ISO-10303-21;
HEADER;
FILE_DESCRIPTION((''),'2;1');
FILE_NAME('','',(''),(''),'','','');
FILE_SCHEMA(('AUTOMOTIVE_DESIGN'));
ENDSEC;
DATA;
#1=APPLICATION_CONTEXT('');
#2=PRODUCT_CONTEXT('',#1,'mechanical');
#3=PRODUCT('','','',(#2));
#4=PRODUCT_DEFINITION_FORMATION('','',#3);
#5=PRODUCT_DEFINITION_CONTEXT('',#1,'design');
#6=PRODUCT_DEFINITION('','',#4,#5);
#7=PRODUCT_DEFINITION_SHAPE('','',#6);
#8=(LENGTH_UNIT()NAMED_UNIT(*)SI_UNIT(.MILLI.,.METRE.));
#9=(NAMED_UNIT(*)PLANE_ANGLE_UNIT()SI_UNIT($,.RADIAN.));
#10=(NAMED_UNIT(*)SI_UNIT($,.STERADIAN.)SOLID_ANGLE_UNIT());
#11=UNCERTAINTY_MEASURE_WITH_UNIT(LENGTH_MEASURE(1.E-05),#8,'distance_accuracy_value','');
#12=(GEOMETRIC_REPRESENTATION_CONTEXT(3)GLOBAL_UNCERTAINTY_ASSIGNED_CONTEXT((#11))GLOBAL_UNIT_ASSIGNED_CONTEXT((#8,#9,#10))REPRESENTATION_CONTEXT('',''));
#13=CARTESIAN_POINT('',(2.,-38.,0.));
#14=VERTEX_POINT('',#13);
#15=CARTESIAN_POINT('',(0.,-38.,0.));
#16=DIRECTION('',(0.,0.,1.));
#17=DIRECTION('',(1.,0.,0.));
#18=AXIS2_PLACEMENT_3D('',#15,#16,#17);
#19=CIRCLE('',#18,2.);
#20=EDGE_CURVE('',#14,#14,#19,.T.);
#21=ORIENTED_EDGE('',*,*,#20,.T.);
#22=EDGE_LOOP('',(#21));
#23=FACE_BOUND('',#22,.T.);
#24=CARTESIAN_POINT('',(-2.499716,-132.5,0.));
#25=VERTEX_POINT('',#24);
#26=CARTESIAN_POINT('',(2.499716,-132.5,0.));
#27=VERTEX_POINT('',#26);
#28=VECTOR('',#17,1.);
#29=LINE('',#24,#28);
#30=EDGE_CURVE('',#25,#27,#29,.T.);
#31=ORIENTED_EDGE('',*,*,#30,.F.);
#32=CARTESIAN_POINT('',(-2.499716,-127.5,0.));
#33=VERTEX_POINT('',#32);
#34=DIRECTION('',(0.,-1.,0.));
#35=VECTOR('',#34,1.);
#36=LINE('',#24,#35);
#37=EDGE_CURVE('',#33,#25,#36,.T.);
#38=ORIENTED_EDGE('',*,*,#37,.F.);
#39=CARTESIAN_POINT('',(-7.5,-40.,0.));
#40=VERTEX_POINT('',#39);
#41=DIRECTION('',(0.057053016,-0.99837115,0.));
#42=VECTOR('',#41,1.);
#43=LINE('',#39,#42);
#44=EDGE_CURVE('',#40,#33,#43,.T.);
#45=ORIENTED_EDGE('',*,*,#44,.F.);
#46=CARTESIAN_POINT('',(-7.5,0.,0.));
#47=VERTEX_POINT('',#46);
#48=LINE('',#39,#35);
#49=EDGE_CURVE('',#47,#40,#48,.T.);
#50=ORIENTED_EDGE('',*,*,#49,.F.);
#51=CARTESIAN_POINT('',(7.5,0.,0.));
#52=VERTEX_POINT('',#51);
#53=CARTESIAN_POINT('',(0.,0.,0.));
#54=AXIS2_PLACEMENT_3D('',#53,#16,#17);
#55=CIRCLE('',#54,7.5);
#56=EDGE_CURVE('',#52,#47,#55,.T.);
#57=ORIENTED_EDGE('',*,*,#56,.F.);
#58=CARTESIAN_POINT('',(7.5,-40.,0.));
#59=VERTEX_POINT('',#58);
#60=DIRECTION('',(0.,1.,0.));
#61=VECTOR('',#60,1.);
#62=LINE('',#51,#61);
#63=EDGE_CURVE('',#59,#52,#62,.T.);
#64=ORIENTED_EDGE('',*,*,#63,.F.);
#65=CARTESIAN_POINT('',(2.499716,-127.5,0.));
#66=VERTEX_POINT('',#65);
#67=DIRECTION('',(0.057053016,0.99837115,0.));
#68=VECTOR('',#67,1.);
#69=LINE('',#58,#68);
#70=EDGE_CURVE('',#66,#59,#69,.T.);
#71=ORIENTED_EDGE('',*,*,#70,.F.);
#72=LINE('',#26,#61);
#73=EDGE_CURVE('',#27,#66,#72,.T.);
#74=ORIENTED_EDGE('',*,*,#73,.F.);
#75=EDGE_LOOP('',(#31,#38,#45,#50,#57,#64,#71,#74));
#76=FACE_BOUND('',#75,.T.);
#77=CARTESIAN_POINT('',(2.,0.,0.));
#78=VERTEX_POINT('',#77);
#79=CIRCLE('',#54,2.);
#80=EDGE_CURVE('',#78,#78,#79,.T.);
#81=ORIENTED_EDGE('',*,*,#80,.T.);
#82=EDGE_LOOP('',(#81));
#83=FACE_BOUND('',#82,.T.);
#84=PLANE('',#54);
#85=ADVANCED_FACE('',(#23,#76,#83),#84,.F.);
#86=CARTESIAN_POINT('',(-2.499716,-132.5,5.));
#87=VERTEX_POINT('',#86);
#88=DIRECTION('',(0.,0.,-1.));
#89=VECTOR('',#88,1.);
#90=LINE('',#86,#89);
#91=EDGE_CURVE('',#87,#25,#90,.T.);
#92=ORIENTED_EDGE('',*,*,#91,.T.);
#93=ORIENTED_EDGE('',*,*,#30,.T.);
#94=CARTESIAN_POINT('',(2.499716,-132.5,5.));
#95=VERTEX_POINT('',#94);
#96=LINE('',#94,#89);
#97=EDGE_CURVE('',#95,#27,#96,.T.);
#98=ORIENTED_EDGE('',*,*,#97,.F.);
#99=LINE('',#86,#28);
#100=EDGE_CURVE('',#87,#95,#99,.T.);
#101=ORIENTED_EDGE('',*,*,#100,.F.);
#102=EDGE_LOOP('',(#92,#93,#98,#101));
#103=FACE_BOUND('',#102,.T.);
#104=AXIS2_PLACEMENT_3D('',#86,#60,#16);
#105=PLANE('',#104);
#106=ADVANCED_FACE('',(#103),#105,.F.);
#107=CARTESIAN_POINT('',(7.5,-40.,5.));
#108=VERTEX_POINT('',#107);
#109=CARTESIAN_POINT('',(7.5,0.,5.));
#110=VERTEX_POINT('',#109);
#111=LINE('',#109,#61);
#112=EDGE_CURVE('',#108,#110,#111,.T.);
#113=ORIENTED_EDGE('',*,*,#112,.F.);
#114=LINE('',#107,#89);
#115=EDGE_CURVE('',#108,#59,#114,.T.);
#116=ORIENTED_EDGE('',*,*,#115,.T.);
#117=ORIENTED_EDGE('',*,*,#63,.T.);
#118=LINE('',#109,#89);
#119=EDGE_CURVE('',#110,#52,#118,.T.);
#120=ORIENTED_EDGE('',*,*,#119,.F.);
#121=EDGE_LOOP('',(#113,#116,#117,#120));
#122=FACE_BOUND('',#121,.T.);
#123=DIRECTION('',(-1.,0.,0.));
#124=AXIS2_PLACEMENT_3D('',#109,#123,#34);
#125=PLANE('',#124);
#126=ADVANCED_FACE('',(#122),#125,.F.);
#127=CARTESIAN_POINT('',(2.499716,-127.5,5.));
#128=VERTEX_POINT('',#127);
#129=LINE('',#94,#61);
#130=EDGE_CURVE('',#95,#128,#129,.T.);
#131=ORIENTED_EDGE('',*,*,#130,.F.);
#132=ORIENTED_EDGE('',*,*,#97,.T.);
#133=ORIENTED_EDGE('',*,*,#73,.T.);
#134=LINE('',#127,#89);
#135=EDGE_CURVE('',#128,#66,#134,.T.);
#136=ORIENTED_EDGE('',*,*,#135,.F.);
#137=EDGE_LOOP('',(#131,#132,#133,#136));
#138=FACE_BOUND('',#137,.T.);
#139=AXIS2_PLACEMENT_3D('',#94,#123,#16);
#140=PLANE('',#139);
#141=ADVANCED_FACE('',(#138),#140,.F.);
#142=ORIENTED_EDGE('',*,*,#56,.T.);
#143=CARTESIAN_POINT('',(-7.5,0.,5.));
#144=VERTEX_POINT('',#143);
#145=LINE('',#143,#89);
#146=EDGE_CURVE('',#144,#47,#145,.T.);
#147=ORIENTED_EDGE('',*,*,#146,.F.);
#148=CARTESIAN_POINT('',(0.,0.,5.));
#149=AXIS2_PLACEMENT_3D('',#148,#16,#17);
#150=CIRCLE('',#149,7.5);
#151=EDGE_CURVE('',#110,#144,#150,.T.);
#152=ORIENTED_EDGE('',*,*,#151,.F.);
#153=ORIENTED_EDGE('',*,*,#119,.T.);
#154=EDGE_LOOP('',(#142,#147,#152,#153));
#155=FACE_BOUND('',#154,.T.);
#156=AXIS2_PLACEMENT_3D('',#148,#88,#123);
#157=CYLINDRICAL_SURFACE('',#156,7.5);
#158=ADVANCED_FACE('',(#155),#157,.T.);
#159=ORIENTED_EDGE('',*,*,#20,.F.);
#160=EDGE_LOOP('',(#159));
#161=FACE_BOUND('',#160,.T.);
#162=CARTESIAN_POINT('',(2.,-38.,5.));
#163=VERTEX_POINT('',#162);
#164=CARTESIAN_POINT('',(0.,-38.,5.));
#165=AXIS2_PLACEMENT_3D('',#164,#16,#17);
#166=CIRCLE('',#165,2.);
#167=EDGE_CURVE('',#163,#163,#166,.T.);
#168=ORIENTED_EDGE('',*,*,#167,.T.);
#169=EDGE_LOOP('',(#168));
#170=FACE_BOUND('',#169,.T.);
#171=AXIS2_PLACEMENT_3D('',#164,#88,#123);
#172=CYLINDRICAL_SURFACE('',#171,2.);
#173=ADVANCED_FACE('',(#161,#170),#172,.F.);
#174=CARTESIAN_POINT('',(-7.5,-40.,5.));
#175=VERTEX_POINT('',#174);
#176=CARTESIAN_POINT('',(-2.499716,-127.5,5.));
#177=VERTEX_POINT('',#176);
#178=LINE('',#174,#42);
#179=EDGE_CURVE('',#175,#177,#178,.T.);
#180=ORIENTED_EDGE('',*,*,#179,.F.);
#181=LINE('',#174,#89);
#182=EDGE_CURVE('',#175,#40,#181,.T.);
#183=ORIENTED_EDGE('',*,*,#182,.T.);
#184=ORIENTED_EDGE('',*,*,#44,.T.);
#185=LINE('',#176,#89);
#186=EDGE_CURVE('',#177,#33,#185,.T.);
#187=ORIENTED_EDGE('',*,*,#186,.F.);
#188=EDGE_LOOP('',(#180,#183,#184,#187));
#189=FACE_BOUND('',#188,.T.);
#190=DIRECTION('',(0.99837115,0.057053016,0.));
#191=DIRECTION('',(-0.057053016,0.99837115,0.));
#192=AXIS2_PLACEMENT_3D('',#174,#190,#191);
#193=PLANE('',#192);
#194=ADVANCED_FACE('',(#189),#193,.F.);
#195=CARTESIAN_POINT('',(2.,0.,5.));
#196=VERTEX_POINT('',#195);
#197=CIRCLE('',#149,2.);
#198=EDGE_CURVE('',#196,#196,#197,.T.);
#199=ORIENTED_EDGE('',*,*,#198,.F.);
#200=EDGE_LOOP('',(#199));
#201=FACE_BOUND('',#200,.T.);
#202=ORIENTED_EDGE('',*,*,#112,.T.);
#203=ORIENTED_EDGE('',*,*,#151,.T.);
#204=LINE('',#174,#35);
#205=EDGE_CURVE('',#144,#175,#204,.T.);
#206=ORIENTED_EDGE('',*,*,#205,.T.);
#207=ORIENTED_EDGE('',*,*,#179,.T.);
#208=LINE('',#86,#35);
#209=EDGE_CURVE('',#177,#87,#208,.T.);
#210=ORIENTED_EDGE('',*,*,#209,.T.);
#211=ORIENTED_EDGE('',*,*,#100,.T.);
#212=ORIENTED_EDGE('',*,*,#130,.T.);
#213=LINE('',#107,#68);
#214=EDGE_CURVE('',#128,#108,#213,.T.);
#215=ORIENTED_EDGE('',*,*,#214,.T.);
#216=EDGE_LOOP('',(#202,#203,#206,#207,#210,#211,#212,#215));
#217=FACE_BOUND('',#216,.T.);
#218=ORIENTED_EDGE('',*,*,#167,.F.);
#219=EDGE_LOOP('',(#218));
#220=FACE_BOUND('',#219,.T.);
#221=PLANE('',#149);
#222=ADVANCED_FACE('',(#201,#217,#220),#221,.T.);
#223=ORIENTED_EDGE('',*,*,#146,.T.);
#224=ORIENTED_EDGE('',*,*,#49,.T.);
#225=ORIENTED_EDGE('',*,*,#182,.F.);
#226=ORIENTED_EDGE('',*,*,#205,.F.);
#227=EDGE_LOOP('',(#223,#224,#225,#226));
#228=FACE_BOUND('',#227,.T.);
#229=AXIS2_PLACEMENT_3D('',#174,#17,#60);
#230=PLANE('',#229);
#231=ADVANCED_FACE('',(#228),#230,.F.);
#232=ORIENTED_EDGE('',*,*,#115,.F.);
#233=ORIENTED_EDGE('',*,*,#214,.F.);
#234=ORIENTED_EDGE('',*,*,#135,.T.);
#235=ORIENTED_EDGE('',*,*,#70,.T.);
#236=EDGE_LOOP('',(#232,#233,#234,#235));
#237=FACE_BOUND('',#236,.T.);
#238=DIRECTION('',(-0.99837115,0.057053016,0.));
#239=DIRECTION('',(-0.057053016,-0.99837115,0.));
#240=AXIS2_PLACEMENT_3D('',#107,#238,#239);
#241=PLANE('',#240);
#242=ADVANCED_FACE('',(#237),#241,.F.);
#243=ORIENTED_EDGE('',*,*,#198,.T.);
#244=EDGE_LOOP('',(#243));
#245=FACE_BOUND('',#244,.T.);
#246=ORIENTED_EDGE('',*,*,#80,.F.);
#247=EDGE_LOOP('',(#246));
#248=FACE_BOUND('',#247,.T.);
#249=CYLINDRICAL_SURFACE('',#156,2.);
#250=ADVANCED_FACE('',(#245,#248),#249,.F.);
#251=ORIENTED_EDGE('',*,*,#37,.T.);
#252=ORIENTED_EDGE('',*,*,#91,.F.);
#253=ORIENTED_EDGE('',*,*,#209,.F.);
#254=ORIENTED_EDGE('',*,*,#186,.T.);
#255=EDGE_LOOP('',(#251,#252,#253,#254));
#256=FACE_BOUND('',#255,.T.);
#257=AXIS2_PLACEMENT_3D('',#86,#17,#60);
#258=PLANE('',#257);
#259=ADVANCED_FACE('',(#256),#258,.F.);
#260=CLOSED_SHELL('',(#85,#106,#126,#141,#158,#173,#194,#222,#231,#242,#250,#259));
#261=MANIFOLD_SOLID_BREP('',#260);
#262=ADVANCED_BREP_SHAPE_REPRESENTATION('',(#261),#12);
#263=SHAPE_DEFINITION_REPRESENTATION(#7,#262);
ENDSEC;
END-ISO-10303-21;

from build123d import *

# Parameters (mm, degrees)
CROQUIS1_R              = 2
SALIENTE_EXTRUIR5_DEPTH = 5


with BuildPart() as part:
    # Croquis1 → Saliente-Extruir5 (new body)
    with BuildSketch(Plane.XY):
        with BuildLine():
            Line((-7.5, -40), (-7.5, 0))
            ThreePointArc((-7.5, 0), (0, 7.5), (7.5, 0))
            Line((7.5, 0), (7.5, -40))
            Line((7.5, -40), (2.499716416, -127.5))
            Line((2.499716416, -127.5), (2.499716416, -132.5))
            Line((2.499716416, -132.5), (-2.499716416, -132.5))
            Line((-2.499716416, -132.5), (-2.499716416, -127.5))
            Line((-2.499716416, -127.5), (-7.5, -40))
        make_face()
        with Locations((0, -38)):
            Circle(CROQUIS1_R, mode=Mode.SUBTRACT)
        Circle(CROQUIS1_R, mode=Mode.SUBTRACT)
    extrude(amount=SALIENTE_EXTRUIR5_DEPTH)


solid = part.part
